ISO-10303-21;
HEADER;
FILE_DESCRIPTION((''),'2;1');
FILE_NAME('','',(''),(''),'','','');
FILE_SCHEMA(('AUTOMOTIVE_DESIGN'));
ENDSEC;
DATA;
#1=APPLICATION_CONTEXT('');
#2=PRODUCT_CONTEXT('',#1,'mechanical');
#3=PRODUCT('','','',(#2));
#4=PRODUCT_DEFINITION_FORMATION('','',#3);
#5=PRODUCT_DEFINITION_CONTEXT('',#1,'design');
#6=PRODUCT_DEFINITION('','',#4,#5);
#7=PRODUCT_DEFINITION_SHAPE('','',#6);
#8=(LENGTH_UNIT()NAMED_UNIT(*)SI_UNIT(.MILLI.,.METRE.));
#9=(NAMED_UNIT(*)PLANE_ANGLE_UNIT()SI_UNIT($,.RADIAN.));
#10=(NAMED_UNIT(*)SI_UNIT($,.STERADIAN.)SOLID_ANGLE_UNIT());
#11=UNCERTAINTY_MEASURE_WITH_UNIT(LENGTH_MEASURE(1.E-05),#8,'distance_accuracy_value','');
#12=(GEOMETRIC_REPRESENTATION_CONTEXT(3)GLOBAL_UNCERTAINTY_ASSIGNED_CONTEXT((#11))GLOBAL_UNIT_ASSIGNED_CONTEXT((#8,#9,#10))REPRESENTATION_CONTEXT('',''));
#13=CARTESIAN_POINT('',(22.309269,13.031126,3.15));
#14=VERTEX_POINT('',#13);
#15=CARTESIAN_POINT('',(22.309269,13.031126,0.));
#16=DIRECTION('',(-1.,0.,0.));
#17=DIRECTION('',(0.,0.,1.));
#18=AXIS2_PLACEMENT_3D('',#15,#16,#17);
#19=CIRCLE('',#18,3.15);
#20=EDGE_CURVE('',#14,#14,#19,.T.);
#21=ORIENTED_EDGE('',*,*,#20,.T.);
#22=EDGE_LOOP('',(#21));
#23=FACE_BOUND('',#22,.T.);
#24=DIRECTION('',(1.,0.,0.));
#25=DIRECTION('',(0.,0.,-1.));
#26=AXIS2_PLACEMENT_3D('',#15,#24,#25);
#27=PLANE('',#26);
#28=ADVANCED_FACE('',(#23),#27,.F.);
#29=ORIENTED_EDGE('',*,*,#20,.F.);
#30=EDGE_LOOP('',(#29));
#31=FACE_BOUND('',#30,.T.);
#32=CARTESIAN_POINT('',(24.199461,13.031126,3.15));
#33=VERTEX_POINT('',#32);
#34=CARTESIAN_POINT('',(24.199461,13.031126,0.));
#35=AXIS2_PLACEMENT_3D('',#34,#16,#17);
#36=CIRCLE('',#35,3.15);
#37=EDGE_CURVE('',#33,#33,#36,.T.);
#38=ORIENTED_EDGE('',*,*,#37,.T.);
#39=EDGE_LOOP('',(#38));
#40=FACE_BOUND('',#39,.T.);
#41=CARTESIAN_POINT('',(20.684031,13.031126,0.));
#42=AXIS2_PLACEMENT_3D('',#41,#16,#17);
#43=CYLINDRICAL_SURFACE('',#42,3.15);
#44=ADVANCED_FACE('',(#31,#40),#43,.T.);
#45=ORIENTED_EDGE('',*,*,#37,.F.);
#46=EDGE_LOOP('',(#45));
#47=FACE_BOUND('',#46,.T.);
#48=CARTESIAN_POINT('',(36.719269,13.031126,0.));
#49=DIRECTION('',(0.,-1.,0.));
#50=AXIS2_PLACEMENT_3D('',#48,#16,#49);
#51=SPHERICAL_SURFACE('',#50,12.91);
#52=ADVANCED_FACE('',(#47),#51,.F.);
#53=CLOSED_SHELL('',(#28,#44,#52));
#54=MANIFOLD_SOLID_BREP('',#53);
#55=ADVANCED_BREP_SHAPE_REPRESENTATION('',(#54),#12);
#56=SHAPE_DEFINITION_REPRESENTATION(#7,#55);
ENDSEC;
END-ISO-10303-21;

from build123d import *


with BuildPart() as part:
    # 草图1 → 旋转1 (revolve)
    with BuildSketch(Plane.XY, mode=Mode.PRIVATE) as revolve_1_sk:
        with BuildLine():
            Line((22.309268833, 13.031126091), (22.309268833, 16.181126091))
            Line((22.309268833, 16.181126091), (24.199460527, 16.181126091))
            ThreePointArc((24.199460527, 16.181126091), (23.907188103, 14.618163391), (23.809268833, 13.031126091))
            Line((23.809268833, 13.031126091), (22.309268833, 13.031126091))
        make_face()
    revolve(revolve_1_sk.sketch.rotate(Axis((20.684030635, 13.031126091, 0), (1, 0, 0)), 180), axis=Axis((20.684030635, 13.031126091, 0), (1, 0, 0)))  # turned: the seam where the file's is


solid = part.part
